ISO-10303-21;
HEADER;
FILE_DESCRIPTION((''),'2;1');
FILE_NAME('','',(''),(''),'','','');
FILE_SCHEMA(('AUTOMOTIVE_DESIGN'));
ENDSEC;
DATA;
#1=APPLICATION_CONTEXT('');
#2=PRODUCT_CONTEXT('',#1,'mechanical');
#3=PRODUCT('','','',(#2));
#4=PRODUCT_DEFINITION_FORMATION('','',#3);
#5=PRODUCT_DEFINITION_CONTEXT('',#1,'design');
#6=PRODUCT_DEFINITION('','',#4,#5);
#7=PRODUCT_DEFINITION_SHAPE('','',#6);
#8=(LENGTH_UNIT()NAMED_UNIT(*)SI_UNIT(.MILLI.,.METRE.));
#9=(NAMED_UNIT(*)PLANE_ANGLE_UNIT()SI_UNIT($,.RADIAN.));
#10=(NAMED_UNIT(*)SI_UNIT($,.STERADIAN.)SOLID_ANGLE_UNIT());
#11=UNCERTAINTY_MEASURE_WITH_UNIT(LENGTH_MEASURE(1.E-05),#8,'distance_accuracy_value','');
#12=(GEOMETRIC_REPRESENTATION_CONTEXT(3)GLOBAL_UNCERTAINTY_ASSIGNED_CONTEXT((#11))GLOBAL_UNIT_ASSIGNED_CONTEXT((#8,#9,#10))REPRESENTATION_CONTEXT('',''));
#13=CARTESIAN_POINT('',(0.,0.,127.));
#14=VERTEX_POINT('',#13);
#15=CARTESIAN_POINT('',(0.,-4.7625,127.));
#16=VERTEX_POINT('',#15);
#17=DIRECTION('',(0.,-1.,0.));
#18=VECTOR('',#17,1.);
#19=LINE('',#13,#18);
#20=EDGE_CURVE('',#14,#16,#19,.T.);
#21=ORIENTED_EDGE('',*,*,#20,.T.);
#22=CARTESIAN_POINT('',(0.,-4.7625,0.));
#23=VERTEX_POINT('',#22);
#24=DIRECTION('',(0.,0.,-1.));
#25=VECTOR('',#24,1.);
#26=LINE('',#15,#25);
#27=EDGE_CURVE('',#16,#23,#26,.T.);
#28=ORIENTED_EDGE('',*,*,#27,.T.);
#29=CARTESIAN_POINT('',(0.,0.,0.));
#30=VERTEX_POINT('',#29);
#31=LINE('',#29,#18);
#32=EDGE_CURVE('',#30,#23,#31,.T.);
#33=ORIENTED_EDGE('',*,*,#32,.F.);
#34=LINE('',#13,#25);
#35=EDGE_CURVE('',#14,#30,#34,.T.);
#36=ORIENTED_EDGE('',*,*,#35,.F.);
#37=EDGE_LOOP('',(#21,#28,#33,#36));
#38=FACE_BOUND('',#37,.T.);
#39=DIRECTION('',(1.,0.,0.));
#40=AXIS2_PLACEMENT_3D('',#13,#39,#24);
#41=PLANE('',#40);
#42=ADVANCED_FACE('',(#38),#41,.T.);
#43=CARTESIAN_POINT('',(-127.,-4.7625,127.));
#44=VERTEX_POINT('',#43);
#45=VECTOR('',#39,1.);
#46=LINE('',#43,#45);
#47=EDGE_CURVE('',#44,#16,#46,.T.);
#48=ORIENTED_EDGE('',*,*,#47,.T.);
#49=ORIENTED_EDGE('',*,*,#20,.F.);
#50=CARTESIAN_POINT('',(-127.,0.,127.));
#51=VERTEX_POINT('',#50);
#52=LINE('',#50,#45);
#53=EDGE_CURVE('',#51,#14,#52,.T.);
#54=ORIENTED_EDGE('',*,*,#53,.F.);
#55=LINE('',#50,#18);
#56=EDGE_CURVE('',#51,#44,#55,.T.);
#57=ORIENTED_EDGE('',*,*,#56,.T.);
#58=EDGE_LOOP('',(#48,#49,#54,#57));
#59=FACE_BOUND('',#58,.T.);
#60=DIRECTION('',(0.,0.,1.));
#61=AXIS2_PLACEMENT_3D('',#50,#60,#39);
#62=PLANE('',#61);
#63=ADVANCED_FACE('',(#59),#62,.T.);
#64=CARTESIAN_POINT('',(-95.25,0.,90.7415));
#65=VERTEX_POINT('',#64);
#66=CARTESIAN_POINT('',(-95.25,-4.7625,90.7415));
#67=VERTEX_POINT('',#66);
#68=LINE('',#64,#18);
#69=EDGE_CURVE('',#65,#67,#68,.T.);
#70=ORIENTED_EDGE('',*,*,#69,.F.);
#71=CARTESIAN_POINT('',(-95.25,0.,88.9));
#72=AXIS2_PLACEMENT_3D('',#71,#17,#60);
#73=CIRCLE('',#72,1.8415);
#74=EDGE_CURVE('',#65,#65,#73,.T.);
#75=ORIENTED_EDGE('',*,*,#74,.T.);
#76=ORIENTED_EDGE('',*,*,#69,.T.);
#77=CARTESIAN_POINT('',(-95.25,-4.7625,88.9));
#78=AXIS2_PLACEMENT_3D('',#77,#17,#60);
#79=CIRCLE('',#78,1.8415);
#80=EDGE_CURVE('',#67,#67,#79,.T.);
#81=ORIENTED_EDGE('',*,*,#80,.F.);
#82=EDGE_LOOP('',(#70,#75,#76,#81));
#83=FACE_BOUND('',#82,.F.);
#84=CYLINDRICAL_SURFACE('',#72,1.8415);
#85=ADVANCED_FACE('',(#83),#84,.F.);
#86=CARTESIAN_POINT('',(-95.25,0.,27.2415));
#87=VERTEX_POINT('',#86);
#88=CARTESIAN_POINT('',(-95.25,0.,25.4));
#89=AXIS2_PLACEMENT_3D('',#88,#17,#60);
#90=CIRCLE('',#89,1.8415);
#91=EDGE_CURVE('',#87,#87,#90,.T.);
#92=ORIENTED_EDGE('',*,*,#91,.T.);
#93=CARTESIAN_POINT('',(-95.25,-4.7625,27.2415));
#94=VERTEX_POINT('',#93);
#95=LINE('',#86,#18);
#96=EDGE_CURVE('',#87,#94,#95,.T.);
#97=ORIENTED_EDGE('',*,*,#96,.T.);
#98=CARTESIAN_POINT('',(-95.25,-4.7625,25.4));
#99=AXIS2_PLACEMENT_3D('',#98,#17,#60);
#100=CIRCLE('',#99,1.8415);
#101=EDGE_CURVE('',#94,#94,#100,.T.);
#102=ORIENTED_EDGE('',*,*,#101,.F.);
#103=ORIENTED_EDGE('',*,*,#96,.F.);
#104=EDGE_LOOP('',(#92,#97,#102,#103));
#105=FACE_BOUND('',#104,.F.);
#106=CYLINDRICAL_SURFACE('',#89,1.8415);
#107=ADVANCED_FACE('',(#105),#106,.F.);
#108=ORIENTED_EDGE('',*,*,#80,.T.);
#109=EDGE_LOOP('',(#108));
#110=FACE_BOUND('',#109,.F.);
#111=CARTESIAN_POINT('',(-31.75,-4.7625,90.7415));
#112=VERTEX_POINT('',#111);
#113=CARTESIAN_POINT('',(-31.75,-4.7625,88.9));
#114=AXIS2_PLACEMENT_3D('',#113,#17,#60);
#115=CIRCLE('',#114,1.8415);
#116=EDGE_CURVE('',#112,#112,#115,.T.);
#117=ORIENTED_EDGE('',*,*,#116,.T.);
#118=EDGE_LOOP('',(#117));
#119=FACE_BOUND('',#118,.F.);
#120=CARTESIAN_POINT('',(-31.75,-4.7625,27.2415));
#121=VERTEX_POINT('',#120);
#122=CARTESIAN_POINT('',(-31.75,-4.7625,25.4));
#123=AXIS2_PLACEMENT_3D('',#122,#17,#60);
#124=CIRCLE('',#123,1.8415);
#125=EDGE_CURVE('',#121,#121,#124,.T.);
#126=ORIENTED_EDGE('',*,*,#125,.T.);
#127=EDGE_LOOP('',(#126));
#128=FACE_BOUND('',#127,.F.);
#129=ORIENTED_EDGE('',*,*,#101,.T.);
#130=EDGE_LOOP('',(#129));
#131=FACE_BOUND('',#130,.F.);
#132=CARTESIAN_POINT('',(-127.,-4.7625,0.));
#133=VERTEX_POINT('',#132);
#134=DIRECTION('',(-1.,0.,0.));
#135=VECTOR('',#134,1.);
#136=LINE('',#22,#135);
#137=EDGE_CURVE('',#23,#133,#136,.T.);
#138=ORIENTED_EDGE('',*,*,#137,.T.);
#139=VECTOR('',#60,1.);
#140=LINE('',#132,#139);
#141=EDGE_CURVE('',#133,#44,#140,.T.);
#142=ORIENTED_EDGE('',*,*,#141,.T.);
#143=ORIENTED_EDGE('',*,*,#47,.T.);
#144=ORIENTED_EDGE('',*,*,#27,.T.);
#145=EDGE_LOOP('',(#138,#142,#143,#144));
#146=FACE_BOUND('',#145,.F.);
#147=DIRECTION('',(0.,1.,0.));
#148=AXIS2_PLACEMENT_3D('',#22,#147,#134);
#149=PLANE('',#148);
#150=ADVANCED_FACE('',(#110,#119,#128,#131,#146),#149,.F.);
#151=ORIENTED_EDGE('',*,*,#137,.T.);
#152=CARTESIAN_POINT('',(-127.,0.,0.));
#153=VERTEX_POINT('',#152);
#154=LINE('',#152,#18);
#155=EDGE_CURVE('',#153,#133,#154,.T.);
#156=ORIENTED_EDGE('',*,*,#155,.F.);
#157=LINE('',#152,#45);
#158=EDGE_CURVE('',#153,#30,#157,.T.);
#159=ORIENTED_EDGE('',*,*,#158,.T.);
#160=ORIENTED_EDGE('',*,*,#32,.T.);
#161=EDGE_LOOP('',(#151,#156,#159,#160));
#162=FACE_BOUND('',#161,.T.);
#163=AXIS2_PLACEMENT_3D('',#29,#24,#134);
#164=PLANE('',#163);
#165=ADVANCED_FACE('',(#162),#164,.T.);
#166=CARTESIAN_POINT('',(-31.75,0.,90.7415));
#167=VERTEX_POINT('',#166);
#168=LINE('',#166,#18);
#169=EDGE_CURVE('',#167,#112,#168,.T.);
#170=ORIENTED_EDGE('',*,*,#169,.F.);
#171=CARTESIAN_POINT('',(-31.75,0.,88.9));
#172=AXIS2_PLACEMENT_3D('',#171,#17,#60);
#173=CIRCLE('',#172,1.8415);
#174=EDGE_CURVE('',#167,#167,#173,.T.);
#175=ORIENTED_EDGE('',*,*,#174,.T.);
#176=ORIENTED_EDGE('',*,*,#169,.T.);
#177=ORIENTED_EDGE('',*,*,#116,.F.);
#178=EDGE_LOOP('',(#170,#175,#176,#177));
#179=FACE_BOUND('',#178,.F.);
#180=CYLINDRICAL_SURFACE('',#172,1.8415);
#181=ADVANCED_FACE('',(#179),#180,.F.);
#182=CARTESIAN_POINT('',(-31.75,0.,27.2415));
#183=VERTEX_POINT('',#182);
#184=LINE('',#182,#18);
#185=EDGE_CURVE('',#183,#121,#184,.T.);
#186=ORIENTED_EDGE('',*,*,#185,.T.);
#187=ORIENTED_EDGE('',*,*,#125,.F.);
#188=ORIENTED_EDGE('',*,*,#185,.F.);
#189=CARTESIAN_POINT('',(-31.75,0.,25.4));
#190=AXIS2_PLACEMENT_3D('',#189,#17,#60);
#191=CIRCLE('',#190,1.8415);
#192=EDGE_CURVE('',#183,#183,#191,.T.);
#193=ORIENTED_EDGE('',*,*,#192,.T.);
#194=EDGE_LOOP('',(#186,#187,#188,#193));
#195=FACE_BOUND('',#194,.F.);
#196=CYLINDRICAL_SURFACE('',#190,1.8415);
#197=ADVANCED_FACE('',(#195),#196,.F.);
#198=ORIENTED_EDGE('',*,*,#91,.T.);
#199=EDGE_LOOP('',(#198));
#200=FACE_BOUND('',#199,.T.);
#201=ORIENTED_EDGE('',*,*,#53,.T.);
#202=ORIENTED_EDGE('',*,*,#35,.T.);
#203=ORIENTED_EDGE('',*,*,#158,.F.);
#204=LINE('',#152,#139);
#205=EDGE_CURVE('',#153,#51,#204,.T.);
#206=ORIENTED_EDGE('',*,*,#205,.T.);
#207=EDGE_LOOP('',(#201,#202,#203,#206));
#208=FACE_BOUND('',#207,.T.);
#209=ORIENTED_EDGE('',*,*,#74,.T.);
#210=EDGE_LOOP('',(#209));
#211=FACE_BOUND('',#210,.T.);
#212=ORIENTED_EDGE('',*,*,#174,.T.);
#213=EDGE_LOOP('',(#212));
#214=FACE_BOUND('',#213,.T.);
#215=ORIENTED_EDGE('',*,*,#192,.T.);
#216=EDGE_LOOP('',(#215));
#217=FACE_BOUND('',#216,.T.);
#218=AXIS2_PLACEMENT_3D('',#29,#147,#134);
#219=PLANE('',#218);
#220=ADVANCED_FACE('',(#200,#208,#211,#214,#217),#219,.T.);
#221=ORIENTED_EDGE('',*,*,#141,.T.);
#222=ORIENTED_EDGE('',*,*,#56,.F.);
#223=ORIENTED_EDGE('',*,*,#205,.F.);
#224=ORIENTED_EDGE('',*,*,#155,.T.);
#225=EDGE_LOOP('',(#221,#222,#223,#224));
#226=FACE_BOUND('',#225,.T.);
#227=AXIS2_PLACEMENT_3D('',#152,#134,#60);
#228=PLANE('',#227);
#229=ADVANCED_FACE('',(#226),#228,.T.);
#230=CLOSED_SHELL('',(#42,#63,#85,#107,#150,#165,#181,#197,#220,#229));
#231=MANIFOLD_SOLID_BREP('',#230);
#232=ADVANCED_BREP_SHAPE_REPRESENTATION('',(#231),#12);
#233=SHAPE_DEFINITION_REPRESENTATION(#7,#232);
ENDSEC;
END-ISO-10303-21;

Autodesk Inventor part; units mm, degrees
ref_plane "YZ Plane" through (0, 0, 0) normal (1, 0, 0) x (0, 1, 0)
ref_plane "XZ Plane" through (0, 0, 0) normal (0, 1, 0) x (-1, 0, 0)
ref_plane "XY Plane" through (0, 0, 0) normal (0, 0, 1) x (1, 0, 0)
sketch "Sketch1" plane through (0, 0, 0) normal (0, 1, 0) x (-1, 0, 0)
  line L0 (0, 0) -> (127, 0)
  line L1 (127, 0) -> (127, 127)
  line L2 (127, 127) -> (0, 127)
  line L3 (0, 127) -> (0, 0)
  line L4 (25.4, 0) -> (101.6, 0)
  dimension "d0" = 127
  dimension "d1" = 127
extrude "Extrusion1" add sketch "Sketch1" against normal blind 4.7625
sketch "Sketch2" plane through (0, 0, 0) normal (0, 1, 0) x (1, 0, 0)
  line L0 (0, 0) -> (-127, 0) projected
  line L1 (-127, 0) -> (-127, -127) projected
  line L2 (0, -127) -> (0, 0) projected
  point P0 (-95.25, -25.4)
  point P1 (-31.75, -25.4)
  point P2 (-95.25, -88.9)
  point P3 (-31.75, -88.9)
  dimension "d4" = 63.5
  dimension "d6" = 31.75
  dimension "d8" = 31.75
  dimension "d9" = 63.5
  dimension "d10" = 25.4
hole "Hole1" at (-95.25, 0, 25.4) at (-31.75, 0, 25.4) at (-95.25, 0, 88.9) at (-31.75, 0, 88.9) direction (0, -1, 0) diameter 3.683 end through all thread size "10-24 UNC" class "2B" standard "ANSI Unified Screw Threads"
equation "\"d6\" = d8"
properties part number "backPlate"
